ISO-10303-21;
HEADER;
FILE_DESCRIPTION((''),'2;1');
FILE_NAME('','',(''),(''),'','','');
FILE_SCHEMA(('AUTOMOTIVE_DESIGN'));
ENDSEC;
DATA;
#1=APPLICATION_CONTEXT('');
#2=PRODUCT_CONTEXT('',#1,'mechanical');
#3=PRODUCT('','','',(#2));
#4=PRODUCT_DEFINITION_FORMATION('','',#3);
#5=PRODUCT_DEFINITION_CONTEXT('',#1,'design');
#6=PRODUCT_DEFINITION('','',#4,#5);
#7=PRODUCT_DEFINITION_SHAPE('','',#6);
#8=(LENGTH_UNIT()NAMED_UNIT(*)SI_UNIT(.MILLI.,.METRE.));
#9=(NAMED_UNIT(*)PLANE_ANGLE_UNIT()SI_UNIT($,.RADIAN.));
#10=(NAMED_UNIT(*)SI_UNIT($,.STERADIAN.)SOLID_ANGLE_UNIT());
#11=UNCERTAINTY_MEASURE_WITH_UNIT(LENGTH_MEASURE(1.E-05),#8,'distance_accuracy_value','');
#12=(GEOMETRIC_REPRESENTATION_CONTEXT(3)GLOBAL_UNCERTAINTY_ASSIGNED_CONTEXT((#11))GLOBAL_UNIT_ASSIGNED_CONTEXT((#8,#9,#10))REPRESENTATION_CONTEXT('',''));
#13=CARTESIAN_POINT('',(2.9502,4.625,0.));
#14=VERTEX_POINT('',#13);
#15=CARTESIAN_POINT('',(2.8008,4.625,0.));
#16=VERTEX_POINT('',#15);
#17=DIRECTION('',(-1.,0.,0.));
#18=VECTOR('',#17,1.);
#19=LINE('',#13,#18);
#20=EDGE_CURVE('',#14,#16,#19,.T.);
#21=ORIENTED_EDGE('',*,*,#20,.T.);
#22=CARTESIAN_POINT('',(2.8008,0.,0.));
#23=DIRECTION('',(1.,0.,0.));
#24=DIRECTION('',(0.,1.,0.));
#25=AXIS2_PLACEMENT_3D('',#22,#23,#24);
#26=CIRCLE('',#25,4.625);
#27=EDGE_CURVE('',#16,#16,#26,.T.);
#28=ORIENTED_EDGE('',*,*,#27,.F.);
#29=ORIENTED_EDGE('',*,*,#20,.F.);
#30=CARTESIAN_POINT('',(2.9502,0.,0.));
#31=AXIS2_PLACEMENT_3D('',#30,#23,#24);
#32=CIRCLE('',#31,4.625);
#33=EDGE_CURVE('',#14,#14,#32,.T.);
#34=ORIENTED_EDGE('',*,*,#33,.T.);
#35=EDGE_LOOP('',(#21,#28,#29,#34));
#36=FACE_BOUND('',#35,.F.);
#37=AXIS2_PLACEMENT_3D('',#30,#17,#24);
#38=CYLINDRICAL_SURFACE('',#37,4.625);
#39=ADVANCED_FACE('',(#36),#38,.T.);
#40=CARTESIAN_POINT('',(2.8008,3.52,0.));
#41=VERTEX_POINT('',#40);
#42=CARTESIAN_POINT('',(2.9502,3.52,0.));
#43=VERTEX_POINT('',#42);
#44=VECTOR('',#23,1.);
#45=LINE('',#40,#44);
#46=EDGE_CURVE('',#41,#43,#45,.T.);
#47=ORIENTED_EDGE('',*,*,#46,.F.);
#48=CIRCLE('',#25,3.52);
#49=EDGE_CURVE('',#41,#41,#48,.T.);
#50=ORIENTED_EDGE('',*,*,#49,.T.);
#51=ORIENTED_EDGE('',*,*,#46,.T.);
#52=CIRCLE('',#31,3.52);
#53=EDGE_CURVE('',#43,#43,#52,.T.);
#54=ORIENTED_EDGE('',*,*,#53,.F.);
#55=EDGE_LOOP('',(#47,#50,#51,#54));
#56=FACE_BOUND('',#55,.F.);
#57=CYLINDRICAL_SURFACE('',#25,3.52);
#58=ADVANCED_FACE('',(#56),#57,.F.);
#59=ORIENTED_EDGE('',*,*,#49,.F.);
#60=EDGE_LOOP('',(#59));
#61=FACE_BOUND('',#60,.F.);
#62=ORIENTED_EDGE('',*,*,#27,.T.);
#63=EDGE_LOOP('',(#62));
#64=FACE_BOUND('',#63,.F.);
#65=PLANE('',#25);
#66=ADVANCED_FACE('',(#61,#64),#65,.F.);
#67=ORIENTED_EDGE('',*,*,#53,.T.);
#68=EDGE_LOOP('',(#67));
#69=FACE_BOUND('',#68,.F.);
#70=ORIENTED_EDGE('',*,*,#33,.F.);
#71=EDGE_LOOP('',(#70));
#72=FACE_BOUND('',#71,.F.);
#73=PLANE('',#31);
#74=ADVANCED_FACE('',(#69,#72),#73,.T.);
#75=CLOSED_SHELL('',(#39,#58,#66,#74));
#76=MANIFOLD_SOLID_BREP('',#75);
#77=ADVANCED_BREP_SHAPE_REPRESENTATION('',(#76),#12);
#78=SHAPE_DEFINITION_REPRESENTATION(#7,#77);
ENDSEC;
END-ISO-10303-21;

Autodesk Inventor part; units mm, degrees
sketch "Sketch_1" plane through (0, 0, 0) normal (0, 0, 1) x (1, 0, 0)
  line L0 (2.9502, 0) -> (2.8008, 0)
  line L1 (2.8008, 3.52) -> (2.9502, 3.52)
  line L2 (2.9502, 3.52) -> (2.9502, 4.625)
  line L3 (2.9502, 4.625) -> (2.8008, 4.625)
  line L4 (2.8008, 4.625) -> (2.8008, 3.52)
revolve "Revolution1" add sketch "Sketch_1" angle 360 about axis through (2.9502, 0, 0) along (1, 0, 0)
ref_plane "ip_st_s2_XY" through (2.8008, 0, 0) normal (1, 0, 0) x (0, 0, -1)
ref_plane "ip_st_s2_YZ" through (2.8008, 0, 0) normal (0, 0, -1) x (0, 1, 0)
ref_plane "ip_st_s2_ZX" through (2.8008, 0, 0) normal (0, 1, 0) x (1, 0, 0)
properties part number "MR106ZZ1 Shield2"
